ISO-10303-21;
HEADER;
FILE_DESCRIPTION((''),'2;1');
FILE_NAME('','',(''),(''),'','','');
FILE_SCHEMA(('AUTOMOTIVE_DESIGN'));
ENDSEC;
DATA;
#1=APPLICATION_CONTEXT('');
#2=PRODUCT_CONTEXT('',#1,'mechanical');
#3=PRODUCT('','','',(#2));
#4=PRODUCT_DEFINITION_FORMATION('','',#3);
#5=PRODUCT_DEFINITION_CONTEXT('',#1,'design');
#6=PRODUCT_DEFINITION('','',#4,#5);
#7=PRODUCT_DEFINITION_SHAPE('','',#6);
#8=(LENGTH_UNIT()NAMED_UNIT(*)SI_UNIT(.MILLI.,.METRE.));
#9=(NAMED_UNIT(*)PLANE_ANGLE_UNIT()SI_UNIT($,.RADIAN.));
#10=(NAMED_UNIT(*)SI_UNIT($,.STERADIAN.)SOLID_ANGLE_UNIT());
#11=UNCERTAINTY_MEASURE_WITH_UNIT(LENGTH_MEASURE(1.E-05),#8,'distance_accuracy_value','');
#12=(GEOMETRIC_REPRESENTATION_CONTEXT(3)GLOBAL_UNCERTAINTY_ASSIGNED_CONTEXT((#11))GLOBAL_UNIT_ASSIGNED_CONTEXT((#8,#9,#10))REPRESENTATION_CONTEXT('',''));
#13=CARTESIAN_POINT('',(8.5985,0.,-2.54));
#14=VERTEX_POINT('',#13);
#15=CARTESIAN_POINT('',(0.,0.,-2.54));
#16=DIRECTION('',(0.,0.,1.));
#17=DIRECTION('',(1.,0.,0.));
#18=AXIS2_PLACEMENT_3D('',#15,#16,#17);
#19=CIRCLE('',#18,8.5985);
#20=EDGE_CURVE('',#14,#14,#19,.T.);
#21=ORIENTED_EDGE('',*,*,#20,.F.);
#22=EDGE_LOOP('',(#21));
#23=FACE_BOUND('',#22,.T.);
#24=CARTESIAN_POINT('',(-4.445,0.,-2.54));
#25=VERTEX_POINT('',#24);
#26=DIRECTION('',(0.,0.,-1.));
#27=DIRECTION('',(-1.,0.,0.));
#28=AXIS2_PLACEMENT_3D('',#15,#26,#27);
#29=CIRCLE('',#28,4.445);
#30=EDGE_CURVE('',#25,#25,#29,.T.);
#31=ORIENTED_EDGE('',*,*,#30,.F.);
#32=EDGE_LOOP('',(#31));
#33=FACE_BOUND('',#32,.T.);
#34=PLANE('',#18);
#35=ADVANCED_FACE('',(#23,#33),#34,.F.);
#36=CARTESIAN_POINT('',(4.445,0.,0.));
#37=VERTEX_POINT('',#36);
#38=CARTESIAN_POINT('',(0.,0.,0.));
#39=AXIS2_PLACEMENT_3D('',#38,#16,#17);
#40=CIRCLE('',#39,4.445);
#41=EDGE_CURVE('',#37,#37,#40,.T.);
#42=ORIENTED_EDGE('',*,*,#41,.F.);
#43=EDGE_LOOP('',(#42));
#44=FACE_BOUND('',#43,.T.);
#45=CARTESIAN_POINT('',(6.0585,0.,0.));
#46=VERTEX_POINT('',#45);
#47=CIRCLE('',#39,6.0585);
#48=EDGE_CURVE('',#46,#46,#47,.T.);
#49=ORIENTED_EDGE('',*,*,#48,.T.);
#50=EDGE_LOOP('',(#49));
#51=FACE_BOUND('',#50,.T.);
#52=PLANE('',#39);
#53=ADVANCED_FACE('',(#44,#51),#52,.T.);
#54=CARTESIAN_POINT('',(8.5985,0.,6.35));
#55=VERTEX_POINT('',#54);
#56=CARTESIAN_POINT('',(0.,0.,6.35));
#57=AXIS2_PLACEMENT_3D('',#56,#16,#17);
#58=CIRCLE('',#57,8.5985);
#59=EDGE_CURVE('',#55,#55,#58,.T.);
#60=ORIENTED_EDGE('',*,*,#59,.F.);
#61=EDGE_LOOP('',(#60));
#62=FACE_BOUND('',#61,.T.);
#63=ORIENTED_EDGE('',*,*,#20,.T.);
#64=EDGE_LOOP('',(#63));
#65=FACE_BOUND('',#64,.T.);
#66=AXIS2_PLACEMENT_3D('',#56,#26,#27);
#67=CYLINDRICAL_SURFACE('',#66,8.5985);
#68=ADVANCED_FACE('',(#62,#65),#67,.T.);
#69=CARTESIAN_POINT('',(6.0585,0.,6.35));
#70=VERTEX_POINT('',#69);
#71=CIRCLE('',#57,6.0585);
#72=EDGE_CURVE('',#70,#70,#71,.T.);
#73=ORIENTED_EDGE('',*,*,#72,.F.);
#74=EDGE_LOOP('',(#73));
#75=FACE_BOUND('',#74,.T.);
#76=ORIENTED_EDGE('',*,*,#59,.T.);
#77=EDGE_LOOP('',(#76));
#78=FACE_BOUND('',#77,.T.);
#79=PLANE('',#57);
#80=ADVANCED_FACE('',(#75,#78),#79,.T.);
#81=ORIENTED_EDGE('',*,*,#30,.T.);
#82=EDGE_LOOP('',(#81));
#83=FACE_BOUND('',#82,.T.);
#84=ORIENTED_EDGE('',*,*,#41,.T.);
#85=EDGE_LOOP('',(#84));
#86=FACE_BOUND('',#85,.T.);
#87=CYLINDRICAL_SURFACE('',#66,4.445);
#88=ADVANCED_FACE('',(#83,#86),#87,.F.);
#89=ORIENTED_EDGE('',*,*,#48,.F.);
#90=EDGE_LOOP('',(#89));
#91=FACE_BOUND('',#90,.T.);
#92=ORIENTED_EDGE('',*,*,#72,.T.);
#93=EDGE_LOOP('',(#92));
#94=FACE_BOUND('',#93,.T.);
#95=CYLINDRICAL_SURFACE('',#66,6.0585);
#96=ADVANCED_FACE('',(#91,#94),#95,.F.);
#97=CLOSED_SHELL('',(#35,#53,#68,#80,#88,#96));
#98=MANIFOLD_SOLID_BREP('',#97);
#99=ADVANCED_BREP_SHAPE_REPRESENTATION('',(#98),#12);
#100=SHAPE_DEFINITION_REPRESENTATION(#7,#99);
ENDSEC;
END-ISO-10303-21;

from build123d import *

# Parameters (mm, degrees)
SKETCH1_R           = 8.598499948
SKETCH1_R_2         = 6.058499948
BOSS_EXTRUDE1_DEPTH = 6.35
SKETCH2_R           = 8.598499948
BOSS_EXTRUDE2_DEPTH = 2.54
SKETCH3_R           = 4.445
CUT_EXTRUDE1_DEPTH  = 9.89


with BuildPart() as part:
    # Sketch1 → Boss-Extrude1 (new body)
    with BuildSketch(Plane.XY):
        Circle(SKETCH1_R)
        Circle(SKETCH1_R_2, mode=Mode.SUBTRACT)
    extrude(amount=BOSS_EXTRUDE1_DEPTH)

    # Sketch2 → Boss-Extrude2 (add)
    with BuildSketch(Plane.XY):
        Circle(SKETCH2_R)
    extrude(amount=-BOSS_EXTRUDE2_DEPTH)

    # Sketch3 → Cut-Extrude1 (cut, through all)
    with BuildSketch(Plane(origin=(0, 0, -2.54), x_dir=(-1, 0, 0), z_dir=(0, 0, -1))):
        Circle(SKETCH3_R)
    extrude(amount=-CUT_EXTRUDE1_DEPTH, mode=Mode.SUBTRACT)


solid = part.part
